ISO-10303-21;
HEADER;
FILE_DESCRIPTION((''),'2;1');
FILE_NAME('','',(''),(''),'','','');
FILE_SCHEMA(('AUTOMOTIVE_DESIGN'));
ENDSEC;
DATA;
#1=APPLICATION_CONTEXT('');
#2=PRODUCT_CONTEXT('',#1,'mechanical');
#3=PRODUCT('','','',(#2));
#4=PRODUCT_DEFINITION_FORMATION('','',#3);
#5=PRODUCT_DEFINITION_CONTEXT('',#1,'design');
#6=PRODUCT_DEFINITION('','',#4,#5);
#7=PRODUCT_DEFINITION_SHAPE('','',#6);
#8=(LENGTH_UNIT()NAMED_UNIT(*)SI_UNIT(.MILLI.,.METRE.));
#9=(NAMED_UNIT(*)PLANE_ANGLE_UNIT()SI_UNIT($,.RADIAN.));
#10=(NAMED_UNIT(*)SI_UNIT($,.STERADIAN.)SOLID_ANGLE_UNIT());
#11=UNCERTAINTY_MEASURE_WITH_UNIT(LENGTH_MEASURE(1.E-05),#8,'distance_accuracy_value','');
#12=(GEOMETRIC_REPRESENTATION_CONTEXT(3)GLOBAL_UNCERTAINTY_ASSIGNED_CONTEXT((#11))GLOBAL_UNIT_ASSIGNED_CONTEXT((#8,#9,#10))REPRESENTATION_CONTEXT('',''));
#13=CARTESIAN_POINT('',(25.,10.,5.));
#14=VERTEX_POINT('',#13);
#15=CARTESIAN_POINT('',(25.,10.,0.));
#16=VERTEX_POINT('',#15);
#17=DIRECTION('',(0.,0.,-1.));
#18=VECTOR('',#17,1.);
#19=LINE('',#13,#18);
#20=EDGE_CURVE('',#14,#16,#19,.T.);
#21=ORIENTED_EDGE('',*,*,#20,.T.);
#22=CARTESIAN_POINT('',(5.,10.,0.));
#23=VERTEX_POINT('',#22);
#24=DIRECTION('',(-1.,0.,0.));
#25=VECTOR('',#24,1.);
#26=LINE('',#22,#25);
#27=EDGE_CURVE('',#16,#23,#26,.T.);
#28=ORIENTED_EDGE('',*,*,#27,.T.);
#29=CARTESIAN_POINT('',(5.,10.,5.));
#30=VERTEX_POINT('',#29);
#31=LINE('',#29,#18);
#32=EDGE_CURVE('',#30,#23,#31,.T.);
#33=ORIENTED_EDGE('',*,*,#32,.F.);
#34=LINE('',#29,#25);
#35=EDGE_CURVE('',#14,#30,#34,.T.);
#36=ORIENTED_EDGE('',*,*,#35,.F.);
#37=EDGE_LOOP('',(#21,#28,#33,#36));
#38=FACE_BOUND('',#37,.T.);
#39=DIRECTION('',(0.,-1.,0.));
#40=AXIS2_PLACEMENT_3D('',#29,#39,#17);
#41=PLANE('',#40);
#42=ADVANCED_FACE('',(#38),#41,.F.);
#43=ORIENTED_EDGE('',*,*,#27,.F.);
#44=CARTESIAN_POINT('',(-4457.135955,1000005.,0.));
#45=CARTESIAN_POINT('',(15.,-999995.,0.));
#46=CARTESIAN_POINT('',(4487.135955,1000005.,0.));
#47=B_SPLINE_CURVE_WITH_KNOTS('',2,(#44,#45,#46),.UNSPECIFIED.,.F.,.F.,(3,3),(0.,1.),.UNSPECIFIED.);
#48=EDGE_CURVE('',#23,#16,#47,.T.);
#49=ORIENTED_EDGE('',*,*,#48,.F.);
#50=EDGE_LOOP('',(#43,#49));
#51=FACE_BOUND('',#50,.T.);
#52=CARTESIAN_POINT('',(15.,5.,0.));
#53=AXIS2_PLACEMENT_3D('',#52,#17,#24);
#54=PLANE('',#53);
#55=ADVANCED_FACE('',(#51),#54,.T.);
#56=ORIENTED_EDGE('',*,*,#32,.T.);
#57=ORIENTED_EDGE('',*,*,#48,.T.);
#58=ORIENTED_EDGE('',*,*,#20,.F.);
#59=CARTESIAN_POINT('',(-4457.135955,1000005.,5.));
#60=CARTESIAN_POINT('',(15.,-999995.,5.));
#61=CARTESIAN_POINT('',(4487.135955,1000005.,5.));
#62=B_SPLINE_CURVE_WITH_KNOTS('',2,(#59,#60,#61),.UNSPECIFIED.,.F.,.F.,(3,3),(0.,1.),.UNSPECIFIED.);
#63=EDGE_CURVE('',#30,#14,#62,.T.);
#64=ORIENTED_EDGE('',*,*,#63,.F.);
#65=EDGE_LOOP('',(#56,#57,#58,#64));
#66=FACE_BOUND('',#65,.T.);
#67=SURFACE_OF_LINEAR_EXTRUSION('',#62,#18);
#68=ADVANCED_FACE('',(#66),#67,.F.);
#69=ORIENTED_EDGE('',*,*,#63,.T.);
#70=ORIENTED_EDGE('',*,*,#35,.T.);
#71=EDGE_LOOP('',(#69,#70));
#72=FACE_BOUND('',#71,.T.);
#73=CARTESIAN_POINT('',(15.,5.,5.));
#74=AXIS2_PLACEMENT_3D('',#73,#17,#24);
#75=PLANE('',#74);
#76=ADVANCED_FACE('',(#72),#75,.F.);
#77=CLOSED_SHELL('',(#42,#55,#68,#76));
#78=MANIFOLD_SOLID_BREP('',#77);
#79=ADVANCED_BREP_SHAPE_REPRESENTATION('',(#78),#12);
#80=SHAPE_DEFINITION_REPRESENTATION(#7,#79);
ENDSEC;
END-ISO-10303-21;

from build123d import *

# Parameters (mm, degrees)
BOSS_EXTRUDE1_DEPTH = 5


with BuildPart() as part:
    # Sketch1 → Boss-Extrude1 (new body)
    with BuildSketch(Plane.XY):
        with BuildLine():
            Line((5, 10), (25, 10))
            add(Edge.make_bspline(
                [(5, 10), (15, 0), (25, 10)],
                knots=[0, 0, 0, 1, 1, 1], degree=2))
        make_face()
    extrude(amount=BOSS_EXTRUDE1_DEPTH)


solid = part.part
